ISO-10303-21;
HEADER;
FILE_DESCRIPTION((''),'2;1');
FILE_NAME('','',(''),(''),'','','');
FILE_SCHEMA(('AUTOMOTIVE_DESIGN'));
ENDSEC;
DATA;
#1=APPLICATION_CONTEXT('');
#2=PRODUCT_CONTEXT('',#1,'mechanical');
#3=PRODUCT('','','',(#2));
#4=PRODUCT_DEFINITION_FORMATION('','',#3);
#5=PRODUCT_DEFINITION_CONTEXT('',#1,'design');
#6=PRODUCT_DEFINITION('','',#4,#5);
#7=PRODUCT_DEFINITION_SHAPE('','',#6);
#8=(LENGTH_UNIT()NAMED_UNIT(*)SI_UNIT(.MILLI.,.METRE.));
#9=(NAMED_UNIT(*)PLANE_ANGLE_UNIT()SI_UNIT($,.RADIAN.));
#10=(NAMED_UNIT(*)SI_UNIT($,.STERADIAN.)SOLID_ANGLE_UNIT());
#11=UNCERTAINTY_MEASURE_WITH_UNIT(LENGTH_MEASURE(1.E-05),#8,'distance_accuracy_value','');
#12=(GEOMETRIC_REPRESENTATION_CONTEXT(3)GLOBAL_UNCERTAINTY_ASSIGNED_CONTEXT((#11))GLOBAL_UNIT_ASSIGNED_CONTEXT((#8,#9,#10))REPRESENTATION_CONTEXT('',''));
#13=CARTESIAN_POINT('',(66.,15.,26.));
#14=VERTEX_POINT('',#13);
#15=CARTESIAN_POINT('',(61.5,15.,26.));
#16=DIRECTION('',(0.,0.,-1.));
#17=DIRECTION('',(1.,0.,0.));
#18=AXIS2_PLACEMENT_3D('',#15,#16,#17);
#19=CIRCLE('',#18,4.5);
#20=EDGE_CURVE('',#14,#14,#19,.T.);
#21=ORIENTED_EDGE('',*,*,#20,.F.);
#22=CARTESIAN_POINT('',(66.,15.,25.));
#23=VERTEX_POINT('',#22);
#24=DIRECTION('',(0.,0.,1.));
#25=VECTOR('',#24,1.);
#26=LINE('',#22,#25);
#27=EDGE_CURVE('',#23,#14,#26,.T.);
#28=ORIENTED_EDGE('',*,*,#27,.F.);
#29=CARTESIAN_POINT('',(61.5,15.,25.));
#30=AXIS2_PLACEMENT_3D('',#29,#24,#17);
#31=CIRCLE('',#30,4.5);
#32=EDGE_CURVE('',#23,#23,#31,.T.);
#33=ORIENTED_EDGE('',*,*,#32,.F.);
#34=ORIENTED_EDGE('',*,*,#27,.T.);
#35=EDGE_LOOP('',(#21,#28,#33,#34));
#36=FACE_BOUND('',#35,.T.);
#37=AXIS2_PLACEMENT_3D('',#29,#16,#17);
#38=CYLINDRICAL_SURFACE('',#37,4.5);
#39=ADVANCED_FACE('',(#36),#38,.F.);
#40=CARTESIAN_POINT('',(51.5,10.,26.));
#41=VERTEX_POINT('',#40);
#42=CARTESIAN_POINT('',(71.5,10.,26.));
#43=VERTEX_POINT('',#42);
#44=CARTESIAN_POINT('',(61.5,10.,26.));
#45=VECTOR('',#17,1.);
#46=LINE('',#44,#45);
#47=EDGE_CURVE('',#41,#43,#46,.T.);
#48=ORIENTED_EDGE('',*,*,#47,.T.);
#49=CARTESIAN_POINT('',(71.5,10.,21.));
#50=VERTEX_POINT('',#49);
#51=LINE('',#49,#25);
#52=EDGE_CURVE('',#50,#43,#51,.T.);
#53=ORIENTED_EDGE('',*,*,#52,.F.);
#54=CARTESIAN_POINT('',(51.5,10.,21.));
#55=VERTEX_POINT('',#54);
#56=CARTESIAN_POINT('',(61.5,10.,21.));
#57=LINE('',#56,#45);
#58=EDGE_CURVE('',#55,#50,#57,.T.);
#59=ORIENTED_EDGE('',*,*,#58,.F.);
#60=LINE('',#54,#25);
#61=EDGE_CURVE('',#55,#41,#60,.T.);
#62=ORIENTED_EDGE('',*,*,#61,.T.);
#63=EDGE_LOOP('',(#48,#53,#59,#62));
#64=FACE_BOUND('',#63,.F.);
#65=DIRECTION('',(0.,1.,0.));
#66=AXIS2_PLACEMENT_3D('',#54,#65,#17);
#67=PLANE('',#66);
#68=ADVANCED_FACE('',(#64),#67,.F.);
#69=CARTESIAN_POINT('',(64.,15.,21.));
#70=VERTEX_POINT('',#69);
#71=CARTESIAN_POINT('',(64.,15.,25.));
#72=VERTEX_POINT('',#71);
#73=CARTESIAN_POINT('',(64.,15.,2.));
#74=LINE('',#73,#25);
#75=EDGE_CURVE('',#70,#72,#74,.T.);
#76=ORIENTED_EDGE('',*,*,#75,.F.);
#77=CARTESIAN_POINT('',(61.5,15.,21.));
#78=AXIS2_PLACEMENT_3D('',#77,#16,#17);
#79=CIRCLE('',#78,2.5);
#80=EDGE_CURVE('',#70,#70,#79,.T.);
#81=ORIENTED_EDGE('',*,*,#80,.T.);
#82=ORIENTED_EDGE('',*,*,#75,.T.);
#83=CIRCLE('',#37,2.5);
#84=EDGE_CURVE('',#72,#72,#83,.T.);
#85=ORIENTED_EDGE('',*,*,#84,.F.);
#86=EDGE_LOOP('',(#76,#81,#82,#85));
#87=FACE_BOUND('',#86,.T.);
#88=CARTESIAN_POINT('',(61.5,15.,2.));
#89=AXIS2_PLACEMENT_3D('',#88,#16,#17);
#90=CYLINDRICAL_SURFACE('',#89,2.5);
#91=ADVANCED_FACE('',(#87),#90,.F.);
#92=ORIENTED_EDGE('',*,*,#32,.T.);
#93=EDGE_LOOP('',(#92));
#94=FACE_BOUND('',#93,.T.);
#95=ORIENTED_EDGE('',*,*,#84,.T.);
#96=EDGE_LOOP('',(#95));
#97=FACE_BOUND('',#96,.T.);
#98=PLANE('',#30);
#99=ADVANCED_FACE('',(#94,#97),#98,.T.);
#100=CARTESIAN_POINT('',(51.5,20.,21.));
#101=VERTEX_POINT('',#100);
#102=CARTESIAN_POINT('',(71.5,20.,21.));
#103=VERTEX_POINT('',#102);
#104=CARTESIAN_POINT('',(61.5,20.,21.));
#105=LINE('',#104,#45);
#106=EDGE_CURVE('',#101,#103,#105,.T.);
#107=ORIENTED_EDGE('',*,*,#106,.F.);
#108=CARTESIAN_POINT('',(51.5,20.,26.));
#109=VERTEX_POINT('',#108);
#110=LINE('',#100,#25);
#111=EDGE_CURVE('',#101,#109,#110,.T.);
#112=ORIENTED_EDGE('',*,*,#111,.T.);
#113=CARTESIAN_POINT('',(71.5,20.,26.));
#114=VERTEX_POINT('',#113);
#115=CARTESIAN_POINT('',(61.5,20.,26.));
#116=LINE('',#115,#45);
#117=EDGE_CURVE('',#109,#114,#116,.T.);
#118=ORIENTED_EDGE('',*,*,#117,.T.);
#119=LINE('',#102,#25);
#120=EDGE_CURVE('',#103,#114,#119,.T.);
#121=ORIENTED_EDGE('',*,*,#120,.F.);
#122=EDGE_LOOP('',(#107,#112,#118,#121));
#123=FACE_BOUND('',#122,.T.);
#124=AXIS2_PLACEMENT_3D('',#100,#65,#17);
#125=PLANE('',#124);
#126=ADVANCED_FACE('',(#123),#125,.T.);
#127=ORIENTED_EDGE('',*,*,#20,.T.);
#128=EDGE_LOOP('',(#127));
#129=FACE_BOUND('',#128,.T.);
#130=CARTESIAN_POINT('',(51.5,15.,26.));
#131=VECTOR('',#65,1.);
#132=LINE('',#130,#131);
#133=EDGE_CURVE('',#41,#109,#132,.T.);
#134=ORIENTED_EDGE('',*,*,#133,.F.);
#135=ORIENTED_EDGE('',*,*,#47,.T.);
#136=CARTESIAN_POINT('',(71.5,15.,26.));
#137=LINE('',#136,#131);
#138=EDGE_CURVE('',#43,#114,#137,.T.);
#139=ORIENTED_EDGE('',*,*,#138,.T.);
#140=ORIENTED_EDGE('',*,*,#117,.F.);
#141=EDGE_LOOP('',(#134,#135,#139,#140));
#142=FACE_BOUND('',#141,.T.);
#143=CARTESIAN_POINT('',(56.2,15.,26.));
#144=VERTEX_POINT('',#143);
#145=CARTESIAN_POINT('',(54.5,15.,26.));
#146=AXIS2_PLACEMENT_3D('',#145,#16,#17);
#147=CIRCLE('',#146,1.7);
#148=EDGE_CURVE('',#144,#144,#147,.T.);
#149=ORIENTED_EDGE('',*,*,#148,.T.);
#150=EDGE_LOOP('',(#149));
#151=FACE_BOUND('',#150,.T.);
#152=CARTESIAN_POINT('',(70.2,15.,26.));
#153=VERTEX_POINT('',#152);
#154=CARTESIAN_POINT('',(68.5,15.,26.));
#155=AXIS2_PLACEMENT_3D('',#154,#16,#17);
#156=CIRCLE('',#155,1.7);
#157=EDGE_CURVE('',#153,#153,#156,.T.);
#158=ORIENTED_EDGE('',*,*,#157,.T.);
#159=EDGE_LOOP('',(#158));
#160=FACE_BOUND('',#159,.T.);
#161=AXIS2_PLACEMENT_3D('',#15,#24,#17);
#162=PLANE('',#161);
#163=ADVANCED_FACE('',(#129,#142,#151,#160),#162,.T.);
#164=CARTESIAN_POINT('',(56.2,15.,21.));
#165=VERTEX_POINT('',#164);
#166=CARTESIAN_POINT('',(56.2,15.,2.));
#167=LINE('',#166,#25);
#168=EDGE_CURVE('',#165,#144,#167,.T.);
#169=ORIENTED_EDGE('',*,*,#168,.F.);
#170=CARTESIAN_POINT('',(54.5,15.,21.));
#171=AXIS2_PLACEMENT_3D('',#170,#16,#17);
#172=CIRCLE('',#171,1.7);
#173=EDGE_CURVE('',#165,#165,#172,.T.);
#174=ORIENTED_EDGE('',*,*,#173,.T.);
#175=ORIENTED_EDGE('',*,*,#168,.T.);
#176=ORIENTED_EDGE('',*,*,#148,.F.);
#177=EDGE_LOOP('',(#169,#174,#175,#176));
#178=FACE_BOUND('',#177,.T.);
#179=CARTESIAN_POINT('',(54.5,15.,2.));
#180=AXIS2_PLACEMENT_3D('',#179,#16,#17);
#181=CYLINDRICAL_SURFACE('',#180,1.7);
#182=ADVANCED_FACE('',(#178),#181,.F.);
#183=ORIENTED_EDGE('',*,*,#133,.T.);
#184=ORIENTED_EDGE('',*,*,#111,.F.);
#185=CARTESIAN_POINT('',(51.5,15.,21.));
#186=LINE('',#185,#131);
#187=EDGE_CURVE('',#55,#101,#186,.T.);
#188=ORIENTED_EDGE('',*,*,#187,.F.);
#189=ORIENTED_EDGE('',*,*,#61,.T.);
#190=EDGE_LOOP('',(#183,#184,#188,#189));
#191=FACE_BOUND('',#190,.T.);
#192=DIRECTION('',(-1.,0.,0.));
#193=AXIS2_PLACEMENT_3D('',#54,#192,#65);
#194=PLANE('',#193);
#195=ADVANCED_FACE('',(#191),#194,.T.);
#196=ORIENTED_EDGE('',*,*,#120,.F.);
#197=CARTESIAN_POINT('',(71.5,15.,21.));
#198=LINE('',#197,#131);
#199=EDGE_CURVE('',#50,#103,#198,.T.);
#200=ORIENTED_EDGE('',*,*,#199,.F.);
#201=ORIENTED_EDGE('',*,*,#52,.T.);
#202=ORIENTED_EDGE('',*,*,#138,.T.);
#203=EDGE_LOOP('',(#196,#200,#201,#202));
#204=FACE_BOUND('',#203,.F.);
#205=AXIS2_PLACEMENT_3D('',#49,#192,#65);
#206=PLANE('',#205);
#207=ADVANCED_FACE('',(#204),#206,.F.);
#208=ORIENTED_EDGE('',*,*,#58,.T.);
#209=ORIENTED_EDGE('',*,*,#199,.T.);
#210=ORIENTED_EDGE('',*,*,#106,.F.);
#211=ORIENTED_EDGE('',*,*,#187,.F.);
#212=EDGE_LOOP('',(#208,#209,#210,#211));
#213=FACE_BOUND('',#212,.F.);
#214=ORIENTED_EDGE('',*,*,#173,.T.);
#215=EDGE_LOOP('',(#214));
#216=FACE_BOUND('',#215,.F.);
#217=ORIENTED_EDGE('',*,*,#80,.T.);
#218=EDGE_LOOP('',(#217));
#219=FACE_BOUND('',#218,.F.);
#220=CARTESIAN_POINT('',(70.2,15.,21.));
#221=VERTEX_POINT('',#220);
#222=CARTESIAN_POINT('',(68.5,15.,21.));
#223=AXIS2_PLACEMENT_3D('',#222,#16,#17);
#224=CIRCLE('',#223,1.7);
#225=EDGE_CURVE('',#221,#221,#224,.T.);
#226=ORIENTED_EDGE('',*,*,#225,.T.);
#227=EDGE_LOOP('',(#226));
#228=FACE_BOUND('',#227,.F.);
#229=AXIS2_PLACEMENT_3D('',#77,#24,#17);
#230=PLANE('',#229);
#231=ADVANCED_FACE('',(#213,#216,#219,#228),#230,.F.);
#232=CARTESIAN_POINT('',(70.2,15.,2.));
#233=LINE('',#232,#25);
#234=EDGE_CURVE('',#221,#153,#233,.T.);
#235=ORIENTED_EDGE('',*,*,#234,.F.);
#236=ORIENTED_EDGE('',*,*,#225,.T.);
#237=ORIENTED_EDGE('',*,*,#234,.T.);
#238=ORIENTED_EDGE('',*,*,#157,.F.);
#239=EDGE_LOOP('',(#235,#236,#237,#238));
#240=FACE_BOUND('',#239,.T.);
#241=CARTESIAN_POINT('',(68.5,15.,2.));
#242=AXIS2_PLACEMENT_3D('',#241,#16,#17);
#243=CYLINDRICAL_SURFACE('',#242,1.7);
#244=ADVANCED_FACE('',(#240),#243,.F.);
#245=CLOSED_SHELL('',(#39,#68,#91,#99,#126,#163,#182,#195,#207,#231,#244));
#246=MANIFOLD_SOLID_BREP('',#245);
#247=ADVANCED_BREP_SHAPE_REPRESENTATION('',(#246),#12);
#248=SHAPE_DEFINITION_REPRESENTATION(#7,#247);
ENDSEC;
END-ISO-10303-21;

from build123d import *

# Parameters (mm, degrees)
CYLINDER065_R     = 1.7
CYLINDER065_DEPTH = 50
CYLINDER066_R     = 1.7
CYLINDER066_DEPTH = 50
CYLINDER063_R     = 2.5
CYLINDER063_DEPTH = 50
CYLINDER064_R     = 4.5
CYLINDER064_DEPTH = 4
BOX039_W          = 20
BOX039_H          = 10
BOX039_DEPTH      = 5


with BuildPart() as m3_studding006:
    # Cylinder065 → Cylinder065 (new body)
    with BuildSketch(Plane(origin=(68.5, 15, 2), x_dir=(1, 0, 0), z_dir=(0, 0, 1))):
        Circle(CYLINDER065_R)
    extrude(amount=CYLINDER065_DEPTH)


with BuildPart() as m3_clearance:
    # Cylinder066 → Cylinder066 (new body)
    with BuildSketch(Plane(origin=(54.5, 15, 2), x_dir=(1, 0, 0), z_dir=(0, 0, 1))):
        Circle(CYLINDER066_R)
    extrude(amount=CYLINDER066_DEPTH)

    # Fusion038: union m3-studding006
    add(m3_studding006.part)


with BuildPart() as nut_clearance:
    # Cylinder063 → Cylinder063 (new body)
    with BuildSketch(Plane(origin=(61.5, 15, 2), x_dir=(1, 0, 0), z_dir=(0, 0, 1))):
        Circle(CYLINDER063_R)
    extrude(amount=CYLINDER063_DEPTH)


with BuildPart() as bearing_nuts001:
    # Cylinder064 → Cylinder064 (new body)
    with BuildSketch(Plane(origin=(61.5, 15, 25), x_dir=(1, 0, 0), z_dir=(0, 0, 1))):
        Circle(CYLINDER064_R)
    extrude(amount=CYLINDER064_DEPTH)

    # Fusion037: union nut-clearance
    add(nut_clearance.part)


with BuildPart() as bearing_cover_b:
    # Box039 → Box039 (new body)
    with BuildSketch(Plane(origin=(51.5, 10, 21), x_dir=(1, 0, 0), z_dir=(0, 0, 1))):
        with Locations((10, 5)):
            Rectangle(BOX039_W, BOX039_H)
    extrude(amount=BOX039_DEPTH)

    # Cut025: cut bearing-nuts001
    add(bearing_nuts001.part, mode=Mode.SUBTRACT)

    # Cut026: cut M3-clearance
    add(m3_clearance.part, mode=Mode.SUBTRACT)


solid = bearing_cover_b.part
